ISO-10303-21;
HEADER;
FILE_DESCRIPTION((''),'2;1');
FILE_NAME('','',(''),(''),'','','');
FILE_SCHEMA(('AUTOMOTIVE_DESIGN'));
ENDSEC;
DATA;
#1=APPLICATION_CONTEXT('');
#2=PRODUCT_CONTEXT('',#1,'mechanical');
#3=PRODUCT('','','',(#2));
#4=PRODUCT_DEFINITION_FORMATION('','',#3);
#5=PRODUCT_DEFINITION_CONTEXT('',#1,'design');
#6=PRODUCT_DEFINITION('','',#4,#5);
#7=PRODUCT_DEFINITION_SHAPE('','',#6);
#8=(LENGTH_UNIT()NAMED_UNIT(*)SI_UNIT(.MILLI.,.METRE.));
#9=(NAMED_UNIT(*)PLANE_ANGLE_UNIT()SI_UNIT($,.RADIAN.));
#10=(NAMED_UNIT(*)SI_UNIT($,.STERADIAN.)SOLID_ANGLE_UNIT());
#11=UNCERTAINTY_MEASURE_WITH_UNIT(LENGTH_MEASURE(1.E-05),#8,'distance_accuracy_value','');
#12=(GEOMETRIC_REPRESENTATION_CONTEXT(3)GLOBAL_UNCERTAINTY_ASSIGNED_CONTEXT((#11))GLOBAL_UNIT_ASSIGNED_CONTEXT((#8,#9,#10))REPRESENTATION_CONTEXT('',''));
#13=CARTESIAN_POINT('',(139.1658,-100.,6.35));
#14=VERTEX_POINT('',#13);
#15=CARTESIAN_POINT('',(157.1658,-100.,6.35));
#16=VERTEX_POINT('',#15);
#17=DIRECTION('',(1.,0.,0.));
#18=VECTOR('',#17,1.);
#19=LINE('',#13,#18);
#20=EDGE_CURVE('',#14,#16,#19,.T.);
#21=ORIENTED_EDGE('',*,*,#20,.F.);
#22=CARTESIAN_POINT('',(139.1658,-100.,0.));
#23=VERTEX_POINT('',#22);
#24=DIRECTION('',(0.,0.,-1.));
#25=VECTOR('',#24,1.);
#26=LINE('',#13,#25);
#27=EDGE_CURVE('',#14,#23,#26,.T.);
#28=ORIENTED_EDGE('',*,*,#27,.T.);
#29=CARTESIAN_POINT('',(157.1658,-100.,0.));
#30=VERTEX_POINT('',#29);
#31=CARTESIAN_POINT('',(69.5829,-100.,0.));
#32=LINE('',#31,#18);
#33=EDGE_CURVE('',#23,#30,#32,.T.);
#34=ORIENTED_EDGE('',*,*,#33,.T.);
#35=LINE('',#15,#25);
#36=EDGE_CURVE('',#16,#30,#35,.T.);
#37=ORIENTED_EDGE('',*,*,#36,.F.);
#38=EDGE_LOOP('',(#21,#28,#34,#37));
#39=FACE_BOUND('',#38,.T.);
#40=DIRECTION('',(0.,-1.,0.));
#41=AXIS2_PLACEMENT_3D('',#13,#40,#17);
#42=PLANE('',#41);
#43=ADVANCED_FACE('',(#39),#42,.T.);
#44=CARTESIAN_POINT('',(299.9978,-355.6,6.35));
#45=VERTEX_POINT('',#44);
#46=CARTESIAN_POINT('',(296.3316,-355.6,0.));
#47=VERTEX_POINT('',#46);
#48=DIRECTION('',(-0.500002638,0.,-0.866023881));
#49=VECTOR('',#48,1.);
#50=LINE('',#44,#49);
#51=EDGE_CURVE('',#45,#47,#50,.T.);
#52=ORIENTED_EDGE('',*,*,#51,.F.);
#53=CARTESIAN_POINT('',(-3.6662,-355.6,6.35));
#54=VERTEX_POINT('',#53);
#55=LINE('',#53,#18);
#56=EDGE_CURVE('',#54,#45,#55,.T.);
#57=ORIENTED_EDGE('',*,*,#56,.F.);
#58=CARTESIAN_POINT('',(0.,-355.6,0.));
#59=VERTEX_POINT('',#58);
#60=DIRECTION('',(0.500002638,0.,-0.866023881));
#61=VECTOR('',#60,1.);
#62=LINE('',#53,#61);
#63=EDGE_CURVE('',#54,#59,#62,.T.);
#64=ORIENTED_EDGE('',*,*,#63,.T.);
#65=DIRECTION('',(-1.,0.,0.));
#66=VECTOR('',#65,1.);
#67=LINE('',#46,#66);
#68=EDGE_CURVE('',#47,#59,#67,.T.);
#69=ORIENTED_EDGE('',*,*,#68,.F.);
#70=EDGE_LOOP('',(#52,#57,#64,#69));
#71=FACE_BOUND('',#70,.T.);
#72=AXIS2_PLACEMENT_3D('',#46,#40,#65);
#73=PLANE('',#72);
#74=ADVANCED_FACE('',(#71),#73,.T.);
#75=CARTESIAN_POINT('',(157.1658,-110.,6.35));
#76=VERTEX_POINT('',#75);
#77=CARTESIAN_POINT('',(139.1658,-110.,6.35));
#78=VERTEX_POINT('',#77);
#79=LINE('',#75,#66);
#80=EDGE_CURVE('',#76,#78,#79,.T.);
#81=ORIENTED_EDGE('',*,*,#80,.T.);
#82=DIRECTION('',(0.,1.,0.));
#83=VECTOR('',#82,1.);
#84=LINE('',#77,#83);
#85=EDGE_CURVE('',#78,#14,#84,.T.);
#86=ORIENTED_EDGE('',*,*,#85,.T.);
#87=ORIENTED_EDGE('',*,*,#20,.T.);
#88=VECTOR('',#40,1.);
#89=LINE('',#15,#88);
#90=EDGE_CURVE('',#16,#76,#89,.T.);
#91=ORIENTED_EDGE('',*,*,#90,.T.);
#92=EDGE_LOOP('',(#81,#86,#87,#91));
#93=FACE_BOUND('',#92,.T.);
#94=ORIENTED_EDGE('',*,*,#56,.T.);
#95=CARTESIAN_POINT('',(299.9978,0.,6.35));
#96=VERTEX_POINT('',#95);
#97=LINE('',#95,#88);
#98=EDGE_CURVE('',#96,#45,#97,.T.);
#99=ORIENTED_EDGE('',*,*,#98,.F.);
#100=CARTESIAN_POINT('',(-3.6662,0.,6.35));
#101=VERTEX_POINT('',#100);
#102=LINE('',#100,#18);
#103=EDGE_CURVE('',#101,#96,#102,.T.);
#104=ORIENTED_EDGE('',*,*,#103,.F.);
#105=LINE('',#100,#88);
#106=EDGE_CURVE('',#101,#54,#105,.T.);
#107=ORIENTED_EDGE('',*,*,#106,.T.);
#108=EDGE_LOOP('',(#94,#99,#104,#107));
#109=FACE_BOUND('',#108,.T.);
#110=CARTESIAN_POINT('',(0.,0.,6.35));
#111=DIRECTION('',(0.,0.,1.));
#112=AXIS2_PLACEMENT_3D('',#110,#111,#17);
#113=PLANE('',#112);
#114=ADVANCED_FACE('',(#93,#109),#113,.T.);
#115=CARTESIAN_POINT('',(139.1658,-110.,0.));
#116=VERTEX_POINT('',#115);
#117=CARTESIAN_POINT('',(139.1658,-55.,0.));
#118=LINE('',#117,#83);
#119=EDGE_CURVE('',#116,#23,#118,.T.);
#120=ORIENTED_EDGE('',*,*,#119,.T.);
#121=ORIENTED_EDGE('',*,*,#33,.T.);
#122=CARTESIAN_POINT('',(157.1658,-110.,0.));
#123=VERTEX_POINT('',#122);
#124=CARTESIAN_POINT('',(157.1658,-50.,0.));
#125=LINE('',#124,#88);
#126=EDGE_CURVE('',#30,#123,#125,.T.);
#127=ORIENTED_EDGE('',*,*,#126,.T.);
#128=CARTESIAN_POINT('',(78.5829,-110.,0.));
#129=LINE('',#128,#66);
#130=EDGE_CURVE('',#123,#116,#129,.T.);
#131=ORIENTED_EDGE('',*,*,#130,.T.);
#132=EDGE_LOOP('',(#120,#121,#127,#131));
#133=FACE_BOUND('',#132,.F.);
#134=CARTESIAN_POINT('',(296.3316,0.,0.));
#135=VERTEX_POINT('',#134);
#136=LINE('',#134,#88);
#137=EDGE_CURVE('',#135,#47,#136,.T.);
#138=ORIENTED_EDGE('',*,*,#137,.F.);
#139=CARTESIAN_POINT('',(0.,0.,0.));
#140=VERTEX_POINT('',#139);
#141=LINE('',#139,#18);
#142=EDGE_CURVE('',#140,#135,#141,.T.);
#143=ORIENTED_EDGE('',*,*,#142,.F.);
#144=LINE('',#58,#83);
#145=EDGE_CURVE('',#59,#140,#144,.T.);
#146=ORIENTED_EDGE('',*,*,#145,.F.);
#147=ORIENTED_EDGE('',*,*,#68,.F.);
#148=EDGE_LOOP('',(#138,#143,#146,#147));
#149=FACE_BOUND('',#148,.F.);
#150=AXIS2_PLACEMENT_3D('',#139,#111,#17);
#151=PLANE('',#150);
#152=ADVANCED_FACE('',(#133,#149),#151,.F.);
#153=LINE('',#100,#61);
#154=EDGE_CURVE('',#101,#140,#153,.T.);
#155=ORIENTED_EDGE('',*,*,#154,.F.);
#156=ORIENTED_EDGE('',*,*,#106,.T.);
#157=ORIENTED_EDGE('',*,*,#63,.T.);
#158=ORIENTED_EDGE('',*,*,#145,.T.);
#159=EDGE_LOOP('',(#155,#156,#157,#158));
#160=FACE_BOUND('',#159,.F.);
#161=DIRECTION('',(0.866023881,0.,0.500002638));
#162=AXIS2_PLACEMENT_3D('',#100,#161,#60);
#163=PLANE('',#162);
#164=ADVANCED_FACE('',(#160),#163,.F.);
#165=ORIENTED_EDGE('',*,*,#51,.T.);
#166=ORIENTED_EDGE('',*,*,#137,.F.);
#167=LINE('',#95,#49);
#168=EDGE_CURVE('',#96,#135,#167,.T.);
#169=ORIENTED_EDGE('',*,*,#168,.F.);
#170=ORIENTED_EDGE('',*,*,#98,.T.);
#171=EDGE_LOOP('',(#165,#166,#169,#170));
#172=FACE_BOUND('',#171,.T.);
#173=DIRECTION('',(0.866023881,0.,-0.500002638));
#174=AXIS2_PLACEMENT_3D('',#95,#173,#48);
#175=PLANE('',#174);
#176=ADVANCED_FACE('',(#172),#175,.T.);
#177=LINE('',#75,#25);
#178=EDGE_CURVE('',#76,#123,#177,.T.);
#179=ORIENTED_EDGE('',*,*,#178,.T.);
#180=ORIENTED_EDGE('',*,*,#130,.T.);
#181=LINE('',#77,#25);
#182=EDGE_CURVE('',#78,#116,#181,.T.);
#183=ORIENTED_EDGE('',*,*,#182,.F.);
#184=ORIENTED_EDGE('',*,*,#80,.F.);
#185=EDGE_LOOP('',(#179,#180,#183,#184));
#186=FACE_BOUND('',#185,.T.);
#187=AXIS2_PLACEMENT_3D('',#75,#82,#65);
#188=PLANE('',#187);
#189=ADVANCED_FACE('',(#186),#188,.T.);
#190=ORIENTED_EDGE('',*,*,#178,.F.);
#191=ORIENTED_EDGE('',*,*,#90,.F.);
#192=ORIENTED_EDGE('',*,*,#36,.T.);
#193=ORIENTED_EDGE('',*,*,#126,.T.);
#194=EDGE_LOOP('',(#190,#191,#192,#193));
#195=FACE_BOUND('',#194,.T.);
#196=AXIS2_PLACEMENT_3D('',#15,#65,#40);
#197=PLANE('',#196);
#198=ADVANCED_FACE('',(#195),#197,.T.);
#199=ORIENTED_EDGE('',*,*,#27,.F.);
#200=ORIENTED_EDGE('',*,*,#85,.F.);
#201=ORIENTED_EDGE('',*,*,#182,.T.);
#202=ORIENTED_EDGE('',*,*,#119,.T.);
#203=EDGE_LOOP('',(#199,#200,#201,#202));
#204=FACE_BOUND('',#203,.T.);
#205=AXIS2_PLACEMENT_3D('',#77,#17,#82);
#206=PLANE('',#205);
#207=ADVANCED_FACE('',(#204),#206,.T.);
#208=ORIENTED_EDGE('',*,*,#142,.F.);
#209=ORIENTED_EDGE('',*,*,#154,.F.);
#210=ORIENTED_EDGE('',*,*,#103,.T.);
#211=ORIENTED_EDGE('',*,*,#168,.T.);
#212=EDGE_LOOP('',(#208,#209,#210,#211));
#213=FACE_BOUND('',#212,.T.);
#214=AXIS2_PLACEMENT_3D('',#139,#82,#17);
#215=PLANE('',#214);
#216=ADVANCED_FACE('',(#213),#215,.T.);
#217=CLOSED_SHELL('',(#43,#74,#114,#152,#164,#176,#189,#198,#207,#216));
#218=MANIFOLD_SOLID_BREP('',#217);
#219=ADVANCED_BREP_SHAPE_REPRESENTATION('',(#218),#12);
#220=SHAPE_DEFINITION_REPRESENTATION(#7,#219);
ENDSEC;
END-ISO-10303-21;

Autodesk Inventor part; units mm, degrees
ref_plane "YZ Plane" through (0, 0, 0) normal (1, 0, 0) x (0, 1, 0)
ref_plane "XZ Plane" through (0, 0, 0) normal (0, 1, 0) x (-1, 0, 0)
ref_plane "XY Plane" through (0, 0, 0) normal (0, 0, 1) x (1, 0, 0)
sketch "Sketch1" plane through (0, 0, 0) normal (0, 0, 1) x (1, 0, 0)
  line L0 (0, 0) -> (296.3316, 0)
  line L1 (296.3316, 0) -> (296.3316, -355.6)
  line L2 (296.3316, -355.6) -> (0, -355.6)
  line L3 (0, -355.6) -> (0, 0)
  dimension "d0" = 296.3316
  dimension "d1" = 355.6
extrude "Extrusion1" add sketch "Sketch1" along normal blind 6.35
sketch "Sketch2" plane through (0, 0, 0) normal (0, 1, 0) x (1, 0, 0)
  line L0 (296.3316, -6.35) -> (0, -6.35) projected
  line L1 (0, -6.35) -> (-3.6662, -6.35)
  line L2 (-3.6662, -6.35) -> (0, 0)
  line L3 (0, 0) -> (0, -6.35) projected
  line L4 (0, 0) -> (0, -6.35) projected
  line L5 (0, -6.35) -> (0, 0)
  line L6 (296.3316, -6.35) -> (299.9978, -6.35)
  line L7 (296.3316, 0) -> (296.3316, -6.35) projected
  line L8 (299.9978, -6.35) -> (296.3316, 0)
  line L9 (296.3316, 0) -> (296.3316, -6.35)
  dimension "d4" = 30
  dimension "d5" = 60
extrude "Extrusion2" add sketch "Sketch2" against normal blind 355.6
sketch "Sketch5" plane through (0, 0, 6.35) normal (0, 0, 1) x (1, 0, 0)
  line L0 (139.1658, -100) -> (157.1658, -100)
  line L1 (157.1658, -100) -> (157.1658, -110)
  line L2 (157.1658, -110) -> (139.1658, -110)
  line L3 (139.1658, -110) -> (139.1658, -100)
  line L4 (-3.6662, 0) -> (299.9978, 0) projected
  point P0 (0, 0)
  point P1 (148.1658, -100)
  point P2 (148.1658, 0)
  dimension "d77" = 18
  dimension "d78" = 10
  dimension "d79" = 100
extrude "Extrusion5" cut sketch "Sketch5" against normal through all
properties part number "BA03" material "ABS Plastic"
